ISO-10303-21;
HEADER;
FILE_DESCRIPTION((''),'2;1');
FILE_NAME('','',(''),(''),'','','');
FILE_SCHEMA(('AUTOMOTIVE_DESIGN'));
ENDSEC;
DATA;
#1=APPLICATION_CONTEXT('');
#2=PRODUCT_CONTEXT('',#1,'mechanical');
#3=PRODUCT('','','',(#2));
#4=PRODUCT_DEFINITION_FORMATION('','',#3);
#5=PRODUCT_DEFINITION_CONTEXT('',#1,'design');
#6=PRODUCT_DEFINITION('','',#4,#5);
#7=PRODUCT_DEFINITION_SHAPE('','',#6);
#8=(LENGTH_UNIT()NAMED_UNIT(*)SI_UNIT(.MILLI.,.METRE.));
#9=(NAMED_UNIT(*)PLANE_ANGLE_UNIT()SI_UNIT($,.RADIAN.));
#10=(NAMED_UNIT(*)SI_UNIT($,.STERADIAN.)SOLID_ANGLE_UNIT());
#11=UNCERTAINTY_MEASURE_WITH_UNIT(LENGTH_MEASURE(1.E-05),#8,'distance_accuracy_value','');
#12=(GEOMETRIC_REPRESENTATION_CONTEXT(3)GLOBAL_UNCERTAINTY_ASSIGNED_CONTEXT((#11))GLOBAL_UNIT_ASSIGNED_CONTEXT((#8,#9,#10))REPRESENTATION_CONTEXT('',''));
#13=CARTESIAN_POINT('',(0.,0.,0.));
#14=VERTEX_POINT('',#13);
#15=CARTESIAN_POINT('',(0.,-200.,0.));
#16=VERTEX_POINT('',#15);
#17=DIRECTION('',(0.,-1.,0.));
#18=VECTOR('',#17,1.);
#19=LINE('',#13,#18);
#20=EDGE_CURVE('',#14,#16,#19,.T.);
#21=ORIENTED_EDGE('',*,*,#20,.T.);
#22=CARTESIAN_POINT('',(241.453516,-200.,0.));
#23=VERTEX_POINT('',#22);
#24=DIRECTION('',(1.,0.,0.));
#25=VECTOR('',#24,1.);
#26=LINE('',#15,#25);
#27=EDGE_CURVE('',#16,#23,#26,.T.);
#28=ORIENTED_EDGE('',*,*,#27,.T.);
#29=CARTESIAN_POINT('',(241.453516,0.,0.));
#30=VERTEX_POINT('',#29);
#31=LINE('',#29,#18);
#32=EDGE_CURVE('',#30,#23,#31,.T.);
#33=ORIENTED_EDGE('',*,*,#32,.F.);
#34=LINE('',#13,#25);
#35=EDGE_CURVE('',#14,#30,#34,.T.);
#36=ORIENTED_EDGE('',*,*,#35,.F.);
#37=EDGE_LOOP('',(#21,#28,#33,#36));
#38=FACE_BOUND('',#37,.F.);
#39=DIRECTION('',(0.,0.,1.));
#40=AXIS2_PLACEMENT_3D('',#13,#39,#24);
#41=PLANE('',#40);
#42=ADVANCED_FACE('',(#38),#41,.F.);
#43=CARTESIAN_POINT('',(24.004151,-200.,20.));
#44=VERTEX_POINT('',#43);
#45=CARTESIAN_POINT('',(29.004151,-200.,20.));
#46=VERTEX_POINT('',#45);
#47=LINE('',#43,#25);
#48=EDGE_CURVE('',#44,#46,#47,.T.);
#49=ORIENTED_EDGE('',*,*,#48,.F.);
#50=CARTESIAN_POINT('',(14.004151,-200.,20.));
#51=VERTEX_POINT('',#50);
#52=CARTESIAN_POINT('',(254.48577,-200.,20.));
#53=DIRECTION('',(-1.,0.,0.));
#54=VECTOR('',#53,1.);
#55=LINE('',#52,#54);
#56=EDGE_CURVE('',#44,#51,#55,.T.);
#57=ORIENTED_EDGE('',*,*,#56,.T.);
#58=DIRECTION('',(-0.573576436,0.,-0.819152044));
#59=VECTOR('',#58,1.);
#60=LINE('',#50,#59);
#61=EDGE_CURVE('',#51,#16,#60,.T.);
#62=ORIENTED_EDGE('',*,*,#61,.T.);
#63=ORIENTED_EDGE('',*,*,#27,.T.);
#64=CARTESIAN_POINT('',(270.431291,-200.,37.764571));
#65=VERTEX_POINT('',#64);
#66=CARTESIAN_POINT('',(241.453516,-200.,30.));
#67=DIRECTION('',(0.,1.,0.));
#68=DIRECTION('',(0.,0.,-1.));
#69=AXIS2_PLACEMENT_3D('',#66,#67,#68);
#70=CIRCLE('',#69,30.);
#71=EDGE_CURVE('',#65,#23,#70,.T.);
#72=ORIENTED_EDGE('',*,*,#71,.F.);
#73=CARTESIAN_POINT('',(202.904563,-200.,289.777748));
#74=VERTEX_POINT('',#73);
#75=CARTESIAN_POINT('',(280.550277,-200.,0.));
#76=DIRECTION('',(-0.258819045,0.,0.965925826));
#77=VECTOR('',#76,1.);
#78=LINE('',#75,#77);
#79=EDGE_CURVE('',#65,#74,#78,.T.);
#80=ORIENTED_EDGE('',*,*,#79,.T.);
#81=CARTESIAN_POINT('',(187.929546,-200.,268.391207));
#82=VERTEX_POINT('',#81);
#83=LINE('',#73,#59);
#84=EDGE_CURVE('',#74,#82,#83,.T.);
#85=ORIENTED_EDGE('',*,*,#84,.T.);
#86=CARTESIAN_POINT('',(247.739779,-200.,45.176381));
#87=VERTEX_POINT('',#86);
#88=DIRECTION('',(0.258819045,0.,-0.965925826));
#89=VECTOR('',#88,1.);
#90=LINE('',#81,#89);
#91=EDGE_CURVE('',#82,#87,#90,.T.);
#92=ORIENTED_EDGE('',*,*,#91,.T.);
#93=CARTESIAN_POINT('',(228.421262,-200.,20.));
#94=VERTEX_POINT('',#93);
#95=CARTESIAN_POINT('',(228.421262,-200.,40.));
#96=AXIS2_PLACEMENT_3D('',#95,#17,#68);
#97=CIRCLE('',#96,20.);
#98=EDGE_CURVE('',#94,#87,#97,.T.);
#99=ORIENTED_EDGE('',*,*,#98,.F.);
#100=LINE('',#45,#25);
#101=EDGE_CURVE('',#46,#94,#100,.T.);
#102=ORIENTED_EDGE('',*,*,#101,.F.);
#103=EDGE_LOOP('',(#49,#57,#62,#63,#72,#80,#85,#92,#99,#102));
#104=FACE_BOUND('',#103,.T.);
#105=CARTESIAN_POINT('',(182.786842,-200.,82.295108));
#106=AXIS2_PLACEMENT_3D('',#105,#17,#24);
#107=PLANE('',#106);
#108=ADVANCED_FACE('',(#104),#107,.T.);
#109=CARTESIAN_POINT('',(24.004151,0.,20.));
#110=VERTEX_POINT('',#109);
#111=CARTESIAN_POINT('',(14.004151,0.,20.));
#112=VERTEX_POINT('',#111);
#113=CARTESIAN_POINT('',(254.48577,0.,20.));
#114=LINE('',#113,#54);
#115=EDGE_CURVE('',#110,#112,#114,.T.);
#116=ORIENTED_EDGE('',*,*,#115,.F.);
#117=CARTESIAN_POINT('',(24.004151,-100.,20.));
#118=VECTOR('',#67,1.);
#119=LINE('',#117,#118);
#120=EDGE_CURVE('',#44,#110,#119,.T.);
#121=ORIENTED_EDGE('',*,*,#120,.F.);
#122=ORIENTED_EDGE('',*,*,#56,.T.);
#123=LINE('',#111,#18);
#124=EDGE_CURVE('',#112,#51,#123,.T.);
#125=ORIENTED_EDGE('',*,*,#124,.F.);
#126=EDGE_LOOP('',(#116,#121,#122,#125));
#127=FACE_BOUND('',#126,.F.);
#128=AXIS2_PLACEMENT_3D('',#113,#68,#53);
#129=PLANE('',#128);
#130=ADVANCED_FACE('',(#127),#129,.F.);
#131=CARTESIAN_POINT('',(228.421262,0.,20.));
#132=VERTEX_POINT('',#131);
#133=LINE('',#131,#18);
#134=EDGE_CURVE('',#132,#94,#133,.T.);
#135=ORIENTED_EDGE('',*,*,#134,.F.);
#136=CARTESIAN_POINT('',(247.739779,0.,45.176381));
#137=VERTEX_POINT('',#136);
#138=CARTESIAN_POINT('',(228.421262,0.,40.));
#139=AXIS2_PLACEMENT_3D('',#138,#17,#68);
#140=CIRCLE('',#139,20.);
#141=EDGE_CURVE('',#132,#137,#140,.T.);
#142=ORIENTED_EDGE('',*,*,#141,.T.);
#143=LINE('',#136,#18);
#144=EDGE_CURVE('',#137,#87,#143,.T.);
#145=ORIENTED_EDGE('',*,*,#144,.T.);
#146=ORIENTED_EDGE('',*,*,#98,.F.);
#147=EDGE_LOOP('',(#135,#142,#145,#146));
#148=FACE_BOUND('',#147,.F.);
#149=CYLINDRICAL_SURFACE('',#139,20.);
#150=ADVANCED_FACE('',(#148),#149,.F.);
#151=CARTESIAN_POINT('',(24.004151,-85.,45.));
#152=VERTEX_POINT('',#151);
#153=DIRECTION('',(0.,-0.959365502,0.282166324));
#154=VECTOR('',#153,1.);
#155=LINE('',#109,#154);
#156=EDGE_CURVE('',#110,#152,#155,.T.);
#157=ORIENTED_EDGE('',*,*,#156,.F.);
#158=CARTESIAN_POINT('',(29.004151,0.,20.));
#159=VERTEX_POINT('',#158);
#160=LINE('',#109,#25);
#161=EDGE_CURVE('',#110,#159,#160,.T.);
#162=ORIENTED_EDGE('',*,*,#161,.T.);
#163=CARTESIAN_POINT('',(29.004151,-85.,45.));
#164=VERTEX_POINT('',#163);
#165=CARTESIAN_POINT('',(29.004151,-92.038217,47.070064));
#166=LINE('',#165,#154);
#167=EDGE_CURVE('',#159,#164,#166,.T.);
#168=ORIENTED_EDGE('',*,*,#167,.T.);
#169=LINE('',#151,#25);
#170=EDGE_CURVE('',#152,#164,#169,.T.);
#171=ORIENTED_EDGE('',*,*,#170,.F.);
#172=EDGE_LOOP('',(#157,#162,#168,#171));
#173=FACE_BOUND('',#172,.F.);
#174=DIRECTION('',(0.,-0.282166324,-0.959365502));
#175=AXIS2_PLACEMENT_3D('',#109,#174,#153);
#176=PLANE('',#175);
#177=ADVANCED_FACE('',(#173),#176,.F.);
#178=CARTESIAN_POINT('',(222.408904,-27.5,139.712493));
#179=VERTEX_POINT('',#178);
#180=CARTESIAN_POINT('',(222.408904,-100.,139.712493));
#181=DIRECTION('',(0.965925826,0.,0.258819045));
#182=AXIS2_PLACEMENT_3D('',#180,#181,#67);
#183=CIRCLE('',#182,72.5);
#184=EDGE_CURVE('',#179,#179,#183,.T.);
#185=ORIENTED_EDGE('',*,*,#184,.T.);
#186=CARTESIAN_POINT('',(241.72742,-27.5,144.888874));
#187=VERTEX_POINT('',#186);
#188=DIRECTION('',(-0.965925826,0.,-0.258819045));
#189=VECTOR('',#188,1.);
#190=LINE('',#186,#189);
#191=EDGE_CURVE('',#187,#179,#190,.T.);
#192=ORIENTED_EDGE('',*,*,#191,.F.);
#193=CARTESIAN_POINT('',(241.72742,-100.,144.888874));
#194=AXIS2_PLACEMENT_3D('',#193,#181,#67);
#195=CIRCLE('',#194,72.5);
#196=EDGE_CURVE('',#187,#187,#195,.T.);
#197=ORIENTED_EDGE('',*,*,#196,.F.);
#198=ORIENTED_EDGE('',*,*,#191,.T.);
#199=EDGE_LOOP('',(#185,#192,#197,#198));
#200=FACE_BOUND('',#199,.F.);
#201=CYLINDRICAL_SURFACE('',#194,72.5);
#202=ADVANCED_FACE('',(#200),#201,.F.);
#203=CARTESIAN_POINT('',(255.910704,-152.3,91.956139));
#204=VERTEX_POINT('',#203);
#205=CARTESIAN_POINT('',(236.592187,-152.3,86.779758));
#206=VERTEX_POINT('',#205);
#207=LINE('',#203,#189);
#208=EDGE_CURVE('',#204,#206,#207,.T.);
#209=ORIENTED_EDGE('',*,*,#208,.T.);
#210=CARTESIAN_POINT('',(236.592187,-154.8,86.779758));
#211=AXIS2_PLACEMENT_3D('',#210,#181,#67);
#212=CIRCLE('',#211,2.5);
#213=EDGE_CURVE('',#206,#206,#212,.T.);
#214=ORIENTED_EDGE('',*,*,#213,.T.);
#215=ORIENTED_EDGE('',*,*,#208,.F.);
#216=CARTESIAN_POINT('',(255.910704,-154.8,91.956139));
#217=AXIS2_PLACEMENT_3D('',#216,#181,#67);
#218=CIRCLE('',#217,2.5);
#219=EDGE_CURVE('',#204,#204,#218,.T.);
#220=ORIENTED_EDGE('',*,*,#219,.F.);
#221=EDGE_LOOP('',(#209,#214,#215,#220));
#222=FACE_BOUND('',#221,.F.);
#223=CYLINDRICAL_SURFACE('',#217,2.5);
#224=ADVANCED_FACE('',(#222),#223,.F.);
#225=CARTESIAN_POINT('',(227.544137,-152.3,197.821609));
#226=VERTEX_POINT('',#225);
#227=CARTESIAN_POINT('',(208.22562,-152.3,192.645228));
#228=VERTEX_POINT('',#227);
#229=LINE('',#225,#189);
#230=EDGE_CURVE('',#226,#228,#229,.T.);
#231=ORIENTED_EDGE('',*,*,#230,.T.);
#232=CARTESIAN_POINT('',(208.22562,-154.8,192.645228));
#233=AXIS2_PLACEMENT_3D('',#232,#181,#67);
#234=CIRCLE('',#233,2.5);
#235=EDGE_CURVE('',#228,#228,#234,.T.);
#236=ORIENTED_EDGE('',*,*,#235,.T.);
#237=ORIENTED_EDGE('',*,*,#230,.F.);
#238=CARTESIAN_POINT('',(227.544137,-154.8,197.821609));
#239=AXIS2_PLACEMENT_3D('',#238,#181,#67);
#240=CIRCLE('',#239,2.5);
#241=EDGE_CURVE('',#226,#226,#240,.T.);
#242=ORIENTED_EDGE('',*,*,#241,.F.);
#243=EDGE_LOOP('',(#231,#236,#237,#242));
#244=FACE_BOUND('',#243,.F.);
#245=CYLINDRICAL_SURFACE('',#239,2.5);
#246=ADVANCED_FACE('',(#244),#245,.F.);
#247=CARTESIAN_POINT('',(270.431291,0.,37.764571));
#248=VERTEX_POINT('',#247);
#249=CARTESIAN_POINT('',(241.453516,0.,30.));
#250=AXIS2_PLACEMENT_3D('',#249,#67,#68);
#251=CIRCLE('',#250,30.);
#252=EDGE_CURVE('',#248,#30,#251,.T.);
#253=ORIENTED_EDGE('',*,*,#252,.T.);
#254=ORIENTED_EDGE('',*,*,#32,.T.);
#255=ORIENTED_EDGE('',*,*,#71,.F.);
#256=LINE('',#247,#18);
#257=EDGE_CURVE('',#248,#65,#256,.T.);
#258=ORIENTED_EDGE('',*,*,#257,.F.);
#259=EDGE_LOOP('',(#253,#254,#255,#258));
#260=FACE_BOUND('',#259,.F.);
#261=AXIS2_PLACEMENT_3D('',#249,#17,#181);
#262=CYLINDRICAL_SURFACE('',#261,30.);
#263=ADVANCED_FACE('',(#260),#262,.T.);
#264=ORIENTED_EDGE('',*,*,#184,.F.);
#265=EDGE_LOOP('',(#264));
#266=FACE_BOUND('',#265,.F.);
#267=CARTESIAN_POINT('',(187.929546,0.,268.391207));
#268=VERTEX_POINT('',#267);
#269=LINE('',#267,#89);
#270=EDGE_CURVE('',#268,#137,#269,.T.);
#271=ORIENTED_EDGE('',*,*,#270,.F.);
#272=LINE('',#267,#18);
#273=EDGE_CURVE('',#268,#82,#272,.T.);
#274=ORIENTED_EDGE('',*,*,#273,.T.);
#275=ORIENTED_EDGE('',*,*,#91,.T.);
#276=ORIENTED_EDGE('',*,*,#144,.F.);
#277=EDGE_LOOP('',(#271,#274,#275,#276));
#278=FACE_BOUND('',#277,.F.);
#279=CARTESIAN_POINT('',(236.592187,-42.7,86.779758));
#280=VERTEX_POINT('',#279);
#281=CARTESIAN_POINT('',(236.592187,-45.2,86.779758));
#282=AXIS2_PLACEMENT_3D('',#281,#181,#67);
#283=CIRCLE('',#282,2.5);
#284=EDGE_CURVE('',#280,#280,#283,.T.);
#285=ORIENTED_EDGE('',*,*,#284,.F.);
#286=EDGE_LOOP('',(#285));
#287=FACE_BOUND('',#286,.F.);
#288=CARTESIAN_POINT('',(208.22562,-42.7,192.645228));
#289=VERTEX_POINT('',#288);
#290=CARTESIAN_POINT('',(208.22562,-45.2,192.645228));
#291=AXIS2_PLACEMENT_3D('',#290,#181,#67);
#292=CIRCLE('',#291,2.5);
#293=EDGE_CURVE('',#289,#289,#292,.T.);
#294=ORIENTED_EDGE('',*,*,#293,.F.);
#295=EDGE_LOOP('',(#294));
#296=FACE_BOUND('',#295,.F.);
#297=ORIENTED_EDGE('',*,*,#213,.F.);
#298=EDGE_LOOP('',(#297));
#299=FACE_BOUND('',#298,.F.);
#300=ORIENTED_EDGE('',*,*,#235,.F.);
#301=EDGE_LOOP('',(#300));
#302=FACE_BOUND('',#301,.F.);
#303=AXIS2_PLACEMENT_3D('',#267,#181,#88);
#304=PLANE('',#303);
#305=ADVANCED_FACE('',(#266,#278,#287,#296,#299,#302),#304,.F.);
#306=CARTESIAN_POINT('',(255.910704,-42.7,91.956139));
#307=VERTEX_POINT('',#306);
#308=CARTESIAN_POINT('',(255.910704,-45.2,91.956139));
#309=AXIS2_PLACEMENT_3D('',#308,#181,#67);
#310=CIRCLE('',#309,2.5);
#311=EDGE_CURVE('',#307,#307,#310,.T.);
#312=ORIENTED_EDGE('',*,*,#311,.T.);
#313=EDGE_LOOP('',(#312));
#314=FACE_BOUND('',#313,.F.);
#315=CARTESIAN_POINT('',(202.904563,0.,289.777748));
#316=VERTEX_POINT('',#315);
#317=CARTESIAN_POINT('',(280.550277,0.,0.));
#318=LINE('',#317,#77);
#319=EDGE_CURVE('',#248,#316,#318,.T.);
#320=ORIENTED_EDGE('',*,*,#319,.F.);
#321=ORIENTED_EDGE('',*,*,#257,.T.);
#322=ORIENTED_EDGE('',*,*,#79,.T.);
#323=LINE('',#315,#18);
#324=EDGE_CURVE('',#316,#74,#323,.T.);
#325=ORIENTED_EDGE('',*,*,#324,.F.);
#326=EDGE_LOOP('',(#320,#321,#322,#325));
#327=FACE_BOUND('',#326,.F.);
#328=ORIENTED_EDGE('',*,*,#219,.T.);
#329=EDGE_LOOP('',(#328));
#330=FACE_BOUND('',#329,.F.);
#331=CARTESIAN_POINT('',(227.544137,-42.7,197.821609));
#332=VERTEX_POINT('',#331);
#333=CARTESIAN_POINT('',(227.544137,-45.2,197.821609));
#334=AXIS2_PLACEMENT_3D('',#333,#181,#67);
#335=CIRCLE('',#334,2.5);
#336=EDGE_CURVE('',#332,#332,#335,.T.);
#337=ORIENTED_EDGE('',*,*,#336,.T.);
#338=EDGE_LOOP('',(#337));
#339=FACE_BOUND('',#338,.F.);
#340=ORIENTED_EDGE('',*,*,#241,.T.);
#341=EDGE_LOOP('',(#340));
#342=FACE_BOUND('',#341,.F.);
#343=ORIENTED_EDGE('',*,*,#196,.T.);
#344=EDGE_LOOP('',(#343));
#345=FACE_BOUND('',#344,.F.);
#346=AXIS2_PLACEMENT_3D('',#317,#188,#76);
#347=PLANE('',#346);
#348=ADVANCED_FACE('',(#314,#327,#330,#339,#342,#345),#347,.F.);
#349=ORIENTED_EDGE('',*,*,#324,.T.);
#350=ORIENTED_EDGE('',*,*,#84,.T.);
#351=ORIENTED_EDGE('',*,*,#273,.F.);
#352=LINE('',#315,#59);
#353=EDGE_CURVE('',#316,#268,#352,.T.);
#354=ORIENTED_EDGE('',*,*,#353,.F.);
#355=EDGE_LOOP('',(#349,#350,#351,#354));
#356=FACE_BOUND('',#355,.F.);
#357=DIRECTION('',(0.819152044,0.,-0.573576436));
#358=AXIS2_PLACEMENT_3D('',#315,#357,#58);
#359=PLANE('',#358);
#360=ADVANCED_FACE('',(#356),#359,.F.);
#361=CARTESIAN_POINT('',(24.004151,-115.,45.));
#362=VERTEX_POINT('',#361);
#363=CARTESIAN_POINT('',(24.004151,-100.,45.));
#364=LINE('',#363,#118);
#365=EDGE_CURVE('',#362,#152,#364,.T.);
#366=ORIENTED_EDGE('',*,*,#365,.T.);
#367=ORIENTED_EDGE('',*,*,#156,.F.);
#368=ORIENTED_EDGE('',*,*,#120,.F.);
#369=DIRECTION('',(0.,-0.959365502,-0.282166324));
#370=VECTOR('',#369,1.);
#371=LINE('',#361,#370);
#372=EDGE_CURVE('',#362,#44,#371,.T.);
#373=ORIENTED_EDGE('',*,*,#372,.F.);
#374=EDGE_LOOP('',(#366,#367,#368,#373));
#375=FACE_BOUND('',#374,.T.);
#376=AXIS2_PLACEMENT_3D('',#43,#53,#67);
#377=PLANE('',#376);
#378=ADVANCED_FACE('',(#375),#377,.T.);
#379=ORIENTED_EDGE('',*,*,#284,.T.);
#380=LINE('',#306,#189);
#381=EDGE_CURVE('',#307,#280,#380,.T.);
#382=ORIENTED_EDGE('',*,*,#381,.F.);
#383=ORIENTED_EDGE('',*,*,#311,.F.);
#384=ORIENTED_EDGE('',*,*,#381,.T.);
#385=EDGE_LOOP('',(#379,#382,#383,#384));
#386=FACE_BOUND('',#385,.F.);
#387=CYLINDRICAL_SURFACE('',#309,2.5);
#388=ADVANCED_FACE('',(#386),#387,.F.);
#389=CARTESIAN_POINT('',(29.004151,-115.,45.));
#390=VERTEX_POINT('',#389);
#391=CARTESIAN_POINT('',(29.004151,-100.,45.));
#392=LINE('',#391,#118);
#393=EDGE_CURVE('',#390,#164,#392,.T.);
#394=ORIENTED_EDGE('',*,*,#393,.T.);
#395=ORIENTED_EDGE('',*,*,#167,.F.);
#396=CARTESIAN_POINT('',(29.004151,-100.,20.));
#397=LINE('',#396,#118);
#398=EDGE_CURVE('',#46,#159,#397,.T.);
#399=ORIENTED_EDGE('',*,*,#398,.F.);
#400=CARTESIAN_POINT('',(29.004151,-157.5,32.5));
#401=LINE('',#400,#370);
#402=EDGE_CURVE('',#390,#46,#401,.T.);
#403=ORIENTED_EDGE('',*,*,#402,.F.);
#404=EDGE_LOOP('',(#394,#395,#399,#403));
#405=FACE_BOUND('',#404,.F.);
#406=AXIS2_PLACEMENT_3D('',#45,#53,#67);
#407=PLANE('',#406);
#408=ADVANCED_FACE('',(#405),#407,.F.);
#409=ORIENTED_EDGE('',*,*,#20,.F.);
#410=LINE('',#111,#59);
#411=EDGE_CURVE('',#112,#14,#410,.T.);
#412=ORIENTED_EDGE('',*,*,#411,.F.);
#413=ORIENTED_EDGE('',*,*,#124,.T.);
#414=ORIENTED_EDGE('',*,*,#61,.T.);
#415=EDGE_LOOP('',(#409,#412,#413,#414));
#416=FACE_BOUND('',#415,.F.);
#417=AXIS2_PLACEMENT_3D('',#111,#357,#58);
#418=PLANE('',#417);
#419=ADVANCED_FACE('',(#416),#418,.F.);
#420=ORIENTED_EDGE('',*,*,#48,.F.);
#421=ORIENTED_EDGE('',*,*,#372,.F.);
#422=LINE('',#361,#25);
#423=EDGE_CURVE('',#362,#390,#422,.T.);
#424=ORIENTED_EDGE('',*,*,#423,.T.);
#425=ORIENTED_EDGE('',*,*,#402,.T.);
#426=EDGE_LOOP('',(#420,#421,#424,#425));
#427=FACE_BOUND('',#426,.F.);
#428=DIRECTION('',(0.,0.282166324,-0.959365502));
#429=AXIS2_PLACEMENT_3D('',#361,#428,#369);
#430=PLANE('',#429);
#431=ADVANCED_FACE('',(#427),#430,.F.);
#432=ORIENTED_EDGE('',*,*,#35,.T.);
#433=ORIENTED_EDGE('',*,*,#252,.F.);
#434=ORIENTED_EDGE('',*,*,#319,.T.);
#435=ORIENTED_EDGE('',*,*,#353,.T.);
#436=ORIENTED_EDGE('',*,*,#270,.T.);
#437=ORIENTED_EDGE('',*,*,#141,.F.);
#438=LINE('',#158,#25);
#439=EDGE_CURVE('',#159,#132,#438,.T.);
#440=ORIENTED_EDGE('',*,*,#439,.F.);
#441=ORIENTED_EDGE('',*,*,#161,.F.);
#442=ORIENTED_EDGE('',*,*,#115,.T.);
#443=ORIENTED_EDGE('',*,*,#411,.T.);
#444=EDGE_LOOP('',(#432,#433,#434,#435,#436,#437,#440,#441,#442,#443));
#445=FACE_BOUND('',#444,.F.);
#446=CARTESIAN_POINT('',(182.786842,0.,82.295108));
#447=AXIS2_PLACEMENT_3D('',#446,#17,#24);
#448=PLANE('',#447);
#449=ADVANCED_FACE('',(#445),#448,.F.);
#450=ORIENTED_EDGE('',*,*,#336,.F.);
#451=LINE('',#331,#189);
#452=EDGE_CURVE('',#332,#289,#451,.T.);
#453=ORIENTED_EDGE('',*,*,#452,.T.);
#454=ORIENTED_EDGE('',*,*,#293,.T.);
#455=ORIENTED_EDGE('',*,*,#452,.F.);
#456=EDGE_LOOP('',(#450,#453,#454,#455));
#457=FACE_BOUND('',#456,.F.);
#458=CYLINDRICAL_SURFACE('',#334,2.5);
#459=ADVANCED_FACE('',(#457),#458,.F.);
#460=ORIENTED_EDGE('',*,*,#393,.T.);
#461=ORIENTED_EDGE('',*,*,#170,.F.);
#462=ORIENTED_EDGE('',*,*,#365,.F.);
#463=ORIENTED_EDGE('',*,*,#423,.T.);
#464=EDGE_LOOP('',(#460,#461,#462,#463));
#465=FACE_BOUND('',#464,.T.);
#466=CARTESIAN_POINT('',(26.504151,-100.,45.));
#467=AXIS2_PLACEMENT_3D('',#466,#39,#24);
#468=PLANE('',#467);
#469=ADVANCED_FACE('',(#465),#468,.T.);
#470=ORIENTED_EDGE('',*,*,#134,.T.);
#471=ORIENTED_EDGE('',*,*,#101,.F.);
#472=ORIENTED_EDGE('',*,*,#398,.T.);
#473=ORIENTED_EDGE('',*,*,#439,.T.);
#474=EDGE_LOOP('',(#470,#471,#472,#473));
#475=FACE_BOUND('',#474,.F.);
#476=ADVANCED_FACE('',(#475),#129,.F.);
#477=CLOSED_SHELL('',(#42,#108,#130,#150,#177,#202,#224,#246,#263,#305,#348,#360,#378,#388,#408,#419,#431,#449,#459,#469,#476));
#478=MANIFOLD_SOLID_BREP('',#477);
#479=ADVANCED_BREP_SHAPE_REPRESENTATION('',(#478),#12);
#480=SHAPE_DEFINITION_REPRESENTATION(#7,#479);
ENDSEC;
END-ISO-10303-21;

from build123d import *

# Parameters (mm, degrees)
F1_DEPTH = 200
F2_R     = 72.5
F2_R_2   = 2.5
F3_DEPTH = 20
F4_R     = 20
F5_R     = 30
F6_W     = 5
F6_H     = 200
F7_DEPTH = 25
F9_DEPTH = 25


with BuildPart() as f1:
    # F0 (on Front) → F1 (new body)
    with BuildSketch(Plane.XZ):
        Polygon((14.0041507642, 20), (0, 0), (280.5502770065, 0), (202.9045634757, 289.7777478867), (187.9295462557, 268.391206893), (254.4857695496, 20), align=None)
    extrude(amount=F1_DEPTH)

    # F2 (on face) → F3 (cut, through all)
    with BuildSketch(Plane(origin=(261.7569719664, 0, 70.1375692516), x_dir=(0, 1, 0), z_dir=(0.9659258263, 0, 0.2588190451))):
        with Locations((-100, 77.3882452019)):
            Circle(F2_R)
        with Locations((-154.8, 132.1882452019)):
            Circle(F2_R_2)
        with Locations((-45.2, 132.1882452019)):
            Circle(F2_R_2)
        with Locations((-45.2, 22.5882452019)):
            Circle(F2_R_2)
        with Locations((-154.8, 22.5882452019)):
            Circle(F2_R_2)
    extrude(amount=-F3_DEPTH, mode=Mode.SUBTRACT)

    # F4
    f4_edges = [f1.edges().sort_by_distance(p)[0] for p in [
        (254.48577, -100, 20),
    ]]
    fillet(f4_edges, radius=F4_R)

    # F5
    f5_edges = [f1.edges().sort_by_distance(p)[0] for p in [
        (280.550277, -100, 0),
    ]]
    fillet(f5_edges, radius=F5_R)

    # F6 (on face) → F7 (join)
    with BuildSketch(Plane.XY.offset(20)):
        with Locations((26.5041507642, -100)):
            Rectangle(F6_W, F6_H)
    extrude(amount=F7_DEPTH)

    # F8 (on face) → F9 (cut)
    with BuildSketch(Plane(origin=(24.0041507642, 0, 0), x_dir=(0, -1, 0), z_dir=(-1, 0, 0))):
        Polygon((0, 20), (85, 45), (0, 45), align=None)
        Polygon((200, 45), (115, 45), (200, 20), align=None)
    extrude(amount=-F9_DEPTH, mode=Mode.SUBTRACT)


solid = f1.part
